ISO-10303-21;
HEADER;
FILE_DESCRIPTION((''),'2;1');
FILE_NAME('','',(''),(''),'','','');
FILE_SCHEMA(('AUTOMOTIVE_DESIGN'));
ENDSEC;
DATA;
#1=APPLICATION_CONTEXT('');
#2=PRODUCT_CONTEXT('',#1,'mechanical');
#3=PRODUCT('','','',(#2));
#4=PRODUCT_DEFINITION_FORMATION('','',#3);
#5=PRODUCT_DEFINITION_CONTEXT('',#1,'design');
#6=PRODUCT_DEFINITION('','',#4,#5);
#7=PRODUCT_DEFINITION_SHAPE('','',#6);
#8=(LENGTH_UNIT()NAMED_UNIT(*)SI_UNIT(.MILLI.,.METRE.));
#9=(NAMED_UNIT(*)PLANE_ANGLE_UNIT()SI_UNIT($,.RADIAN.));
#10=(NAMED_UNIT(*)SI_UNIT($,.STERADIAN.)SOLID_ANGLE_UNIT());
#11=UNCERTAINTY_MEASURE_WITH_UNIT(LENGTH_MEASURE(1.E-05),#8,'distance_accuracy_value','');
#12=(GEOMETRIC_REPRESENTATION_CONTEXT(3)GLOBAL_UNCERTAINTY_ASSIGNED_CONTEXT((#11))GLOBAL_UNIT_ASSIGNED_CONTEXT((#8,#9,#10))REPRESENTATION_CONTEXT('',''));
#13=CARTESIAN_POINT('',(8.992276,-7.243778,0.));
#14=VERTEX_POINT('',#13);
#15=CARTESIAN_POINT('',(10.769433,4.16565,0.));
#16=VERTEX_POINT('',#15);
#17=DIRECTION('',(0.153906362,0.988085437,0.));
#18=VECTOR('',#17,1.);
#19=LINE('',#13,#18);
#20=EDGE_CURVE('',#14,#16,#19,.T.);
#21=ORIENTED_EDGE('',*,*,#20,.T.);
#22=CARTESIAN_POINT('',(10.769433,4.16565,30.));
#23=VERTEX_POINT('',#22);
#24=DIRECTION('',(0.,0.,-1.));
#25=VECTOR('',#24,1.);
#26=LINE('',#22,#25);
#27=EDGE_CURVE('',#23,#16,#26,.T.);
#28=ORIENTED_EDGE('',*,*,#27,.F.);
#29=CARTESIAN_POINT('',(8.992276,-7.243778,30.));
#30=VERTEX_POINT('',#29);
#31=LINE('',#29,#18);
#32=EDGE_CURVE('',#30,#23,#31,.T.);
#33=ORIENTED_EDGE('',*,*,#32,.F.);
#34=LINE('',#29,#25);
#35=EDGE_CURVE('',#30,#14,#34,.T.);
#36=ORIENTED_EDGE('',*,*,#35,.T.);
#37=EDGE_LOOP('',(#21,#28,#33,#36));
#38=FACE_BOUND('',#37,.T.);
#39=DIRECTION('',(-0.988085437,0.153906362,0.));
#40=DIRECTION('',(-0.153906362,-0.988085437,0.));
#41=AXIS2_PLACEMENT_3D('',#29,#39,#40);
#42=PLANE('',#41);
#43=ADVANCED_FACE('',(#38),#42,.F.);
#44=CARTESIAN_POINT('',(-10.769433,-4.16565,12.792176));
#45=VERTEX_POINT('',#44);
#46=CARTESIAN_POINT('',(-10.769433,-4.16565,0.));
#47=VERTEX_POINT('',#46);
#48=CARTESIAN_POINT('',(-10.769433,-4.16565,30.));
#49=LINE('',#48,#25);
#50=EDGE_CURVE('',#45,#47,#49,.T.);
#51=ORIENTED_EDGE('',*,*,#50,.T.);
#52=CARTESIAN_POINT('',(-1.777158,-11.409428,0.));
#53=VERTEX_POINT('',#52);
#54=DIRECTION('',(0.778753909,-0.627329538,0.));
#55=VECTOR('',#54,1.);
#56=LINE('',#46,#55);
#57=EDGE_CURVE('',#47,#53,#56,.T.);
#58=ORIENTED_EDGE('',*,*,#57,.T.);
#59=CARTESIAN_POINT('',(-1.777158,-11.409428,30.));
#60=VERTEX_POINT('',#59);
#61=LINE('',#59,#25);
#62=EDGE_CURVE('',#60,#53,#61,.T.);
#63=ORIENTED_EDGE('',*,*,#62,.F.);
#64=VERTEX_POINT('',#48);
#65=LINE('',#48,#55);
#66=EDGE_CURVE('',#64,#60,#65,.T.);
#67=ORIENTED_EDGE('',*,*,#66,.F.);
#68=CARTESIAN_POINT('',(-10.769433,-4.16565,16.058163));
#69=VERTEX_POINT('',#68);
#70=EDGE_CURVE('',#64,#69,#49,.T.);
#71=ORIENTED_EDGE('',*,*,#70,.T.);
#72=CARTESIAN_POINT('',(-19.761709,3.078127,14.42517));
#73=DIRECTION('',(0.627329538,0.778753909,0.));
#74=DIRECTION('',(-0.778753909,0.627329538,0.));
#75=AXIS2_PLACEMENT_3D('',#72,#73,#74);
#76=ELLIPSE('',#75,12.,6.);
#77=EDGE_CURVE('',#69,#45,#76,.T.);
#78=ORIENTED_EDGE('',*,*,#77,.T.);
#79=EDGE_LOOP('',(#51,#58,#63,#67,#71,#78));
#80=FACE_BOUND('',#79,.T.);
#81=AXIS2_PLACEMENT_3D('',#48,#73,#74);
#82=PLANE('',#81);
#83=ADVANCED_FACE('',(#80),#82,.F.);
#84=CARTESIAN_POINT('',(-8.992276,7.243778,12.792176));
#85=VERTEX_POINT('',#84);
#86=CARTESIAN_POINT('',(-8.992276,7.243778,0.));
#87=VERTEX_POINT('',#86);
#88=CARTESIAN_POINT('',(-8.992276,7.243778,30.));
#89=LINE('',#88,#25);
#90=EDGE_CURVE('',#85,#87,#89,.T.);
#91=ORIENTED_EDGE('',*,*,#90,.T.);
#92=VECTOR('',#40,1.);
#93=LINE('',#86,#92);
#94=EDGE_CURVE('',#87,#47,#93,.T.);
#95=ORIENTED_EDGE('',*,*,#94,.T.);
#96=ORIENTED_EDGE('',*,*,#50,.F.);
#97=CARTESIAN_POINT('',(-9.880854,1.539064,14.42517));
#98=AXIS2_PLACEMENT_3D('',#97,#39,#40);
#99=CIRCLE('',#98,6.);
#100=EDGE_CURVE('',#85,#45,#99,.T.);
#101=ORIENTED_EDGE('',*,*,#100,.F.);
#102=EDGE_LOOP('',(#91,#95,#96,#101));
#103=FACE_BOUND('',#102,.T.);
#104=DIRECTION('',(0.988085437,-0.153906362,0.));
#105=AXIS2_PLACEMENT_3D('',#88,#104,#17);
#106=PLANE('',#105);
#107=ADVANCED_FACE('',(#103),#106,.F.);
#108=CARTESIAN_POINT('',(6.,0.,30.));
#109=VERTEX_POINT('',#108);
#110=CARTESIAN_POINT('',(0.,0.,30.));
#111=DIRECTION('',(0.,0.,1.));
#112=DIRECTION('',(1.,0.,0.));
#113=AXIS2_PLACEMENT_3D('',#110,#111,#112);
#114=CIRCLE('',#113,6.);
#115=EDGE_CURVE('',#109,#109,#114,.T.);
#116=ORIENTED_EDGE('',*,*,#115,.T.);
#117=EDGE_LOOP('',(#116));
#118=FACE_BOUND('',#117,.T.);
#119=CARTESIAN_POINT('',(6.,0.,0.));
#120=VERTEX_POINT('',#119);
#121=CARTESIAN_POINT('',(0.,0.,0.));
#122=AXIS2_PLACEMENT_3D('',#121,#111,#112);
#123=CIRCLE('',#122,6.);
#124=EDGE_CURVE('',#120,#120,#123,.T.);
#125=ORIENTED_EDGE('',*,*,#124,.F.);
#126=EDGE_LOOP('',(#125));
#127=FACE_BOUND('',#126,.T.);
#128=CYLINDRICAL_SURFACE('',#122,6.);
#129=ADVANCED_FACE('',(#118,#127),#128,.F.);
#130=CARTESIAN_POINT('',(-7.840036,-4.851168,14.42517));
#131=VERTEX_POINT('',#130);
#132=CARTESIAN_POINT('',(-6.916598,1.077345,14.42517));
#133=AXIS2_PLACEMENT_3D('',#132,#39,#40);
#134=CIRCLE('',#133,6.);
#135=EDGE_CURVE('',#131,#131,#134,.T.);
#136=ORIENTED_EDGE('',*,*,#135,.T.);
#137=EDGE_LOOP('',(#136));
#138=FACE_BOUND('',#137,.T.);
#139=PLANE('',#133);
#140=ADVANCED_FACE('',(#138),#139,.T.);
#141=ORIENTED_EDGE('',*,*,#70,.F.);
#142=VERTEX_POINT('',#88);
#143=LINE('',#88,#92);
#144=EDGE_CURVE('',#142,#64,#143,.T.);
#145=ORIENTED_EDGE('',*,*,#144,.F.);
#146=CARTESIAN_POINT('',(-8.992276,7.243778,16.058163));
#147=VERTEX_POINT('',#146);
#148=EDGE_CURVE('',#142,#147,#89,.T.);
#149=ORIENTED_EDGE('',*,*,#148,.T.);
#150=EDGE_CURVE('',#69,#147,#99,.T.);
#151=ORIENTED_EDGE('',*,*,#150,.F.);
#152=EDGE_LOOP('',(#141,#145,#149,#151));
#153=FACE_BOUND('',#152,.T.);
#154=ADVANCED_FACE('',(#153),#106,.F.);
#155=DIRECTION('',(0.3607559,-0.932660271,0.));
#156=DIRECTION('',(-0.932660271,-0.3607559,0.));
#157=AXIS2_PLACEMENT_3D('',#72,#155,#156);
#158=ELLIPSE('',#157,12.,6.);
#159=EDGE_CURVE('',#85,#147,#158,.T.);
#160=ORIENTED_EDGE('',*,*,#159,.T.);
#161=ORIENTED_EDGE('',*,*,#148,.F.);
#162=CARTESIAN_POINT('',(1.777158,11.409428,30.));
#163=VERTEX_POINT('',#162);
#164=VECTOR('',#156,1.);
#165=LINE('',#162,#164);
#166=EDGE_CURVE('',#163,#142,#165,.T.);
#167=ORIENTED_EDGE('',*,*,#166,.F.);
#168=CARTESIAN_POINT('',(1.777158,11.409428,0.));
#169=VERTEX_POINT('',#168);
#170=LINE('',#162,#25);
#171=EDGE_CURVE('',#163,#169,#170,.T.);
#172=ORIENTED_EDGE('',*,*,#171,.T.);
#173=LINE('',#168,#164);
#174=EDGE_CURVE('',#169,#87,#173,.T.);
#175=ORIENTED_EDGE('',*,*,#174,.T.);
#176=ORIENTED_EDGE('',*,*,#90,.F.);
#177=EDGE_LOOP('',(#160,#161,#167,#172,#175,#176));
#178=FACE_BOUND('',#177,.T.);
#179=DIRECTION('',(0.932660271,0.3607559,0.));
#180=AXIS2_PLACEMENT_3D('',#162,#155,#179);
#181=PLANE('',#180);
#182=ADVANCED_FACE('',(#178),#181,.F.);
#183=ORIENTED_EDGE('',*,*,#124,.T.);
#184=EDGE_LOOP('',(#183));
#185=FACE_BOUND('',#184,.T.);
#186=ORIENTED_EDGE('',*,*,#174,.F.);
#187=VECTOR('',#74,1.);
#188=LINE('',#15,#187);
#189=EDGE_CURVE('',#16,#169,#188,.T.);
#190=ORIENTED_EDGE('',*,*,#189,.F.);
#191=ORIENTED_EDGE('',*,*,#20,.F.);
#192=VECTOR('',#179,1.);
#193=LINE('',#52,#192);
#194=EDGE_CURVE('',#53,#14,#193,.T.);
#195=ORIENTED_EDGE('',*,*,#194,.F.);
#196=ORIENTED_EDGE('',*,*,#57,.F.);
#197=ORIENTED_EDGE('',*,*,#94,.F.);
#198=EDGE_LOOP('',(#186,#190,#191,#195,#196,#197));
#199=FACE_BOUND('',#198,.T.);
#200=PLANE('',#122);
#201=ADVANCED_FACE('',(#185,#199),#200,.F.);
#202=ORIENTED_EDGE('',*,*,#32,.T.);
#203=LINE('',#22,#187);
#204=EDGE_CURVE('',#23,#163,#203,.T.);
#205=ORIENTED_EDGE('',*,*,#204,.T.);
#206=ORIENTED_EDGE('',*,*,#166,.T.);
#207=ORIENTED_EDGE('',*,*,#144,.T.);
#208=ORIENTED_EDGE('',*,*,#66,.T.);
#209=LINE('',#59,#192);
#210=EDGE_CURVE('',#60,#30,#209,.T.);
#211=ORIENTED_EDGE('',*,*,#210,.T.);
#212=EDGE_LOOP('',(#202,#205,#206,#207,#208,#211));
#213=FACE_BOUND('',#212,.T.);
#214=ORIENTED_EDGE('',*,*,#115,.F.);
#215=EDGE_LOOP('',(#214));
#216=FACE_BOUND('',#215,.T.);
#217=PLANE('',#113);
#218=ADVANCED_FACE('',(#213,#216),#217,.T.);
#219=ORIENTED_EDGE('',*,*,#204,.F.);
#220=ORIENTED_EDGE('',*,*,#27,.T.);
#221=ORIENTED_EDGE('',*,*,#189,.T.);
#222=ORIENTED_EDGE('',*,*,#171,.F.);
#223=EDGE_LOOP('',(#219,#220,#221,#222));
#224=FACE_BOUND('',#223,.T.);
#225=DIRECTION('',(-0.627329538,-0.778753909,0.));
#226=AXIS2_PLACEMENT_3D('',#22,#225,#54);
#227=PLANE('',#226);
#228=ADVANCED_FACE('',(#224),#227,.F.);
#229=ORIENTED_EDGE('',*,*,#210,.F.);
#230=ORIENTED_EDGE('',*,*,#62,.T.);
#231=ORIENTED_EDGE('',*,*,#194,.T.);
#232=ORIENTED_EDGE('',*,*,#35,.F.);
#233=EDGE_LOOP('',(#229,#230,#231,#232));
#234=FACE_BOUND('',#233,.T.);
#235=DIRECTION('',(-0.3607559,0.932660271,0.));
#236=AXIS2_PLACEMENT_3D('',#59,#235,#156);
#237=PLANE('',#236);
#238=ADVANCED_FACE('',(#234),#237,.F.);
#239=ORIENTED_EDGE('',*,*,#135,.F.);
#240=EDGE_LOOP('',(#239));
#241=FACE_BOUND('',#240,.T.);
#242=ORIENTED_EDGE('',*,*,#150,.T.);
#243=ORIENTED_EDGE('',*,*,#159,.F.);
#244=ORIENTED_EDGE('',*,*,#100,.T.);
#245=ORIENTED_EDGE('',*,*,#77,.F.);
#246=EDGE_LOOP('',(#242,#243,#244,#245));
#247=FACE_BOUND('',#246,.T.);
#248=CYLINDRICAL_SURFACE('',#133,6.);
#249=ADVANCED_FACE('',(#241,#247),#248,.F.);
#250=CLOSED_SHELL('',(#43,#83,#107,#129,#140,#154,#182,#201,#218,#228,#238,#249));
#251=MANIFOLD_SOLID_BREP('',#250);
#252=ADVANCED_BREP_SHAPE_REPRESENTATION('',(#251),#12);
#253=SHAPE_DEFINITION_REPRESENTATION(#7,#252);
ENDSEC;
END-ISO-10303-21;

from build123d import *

# Parameters (mm, degrees)
EXTRUDE_1_DEPTH     = 30
SKETCH_2_R          = 6
CUT_EXTRUDE_1_DEPTH = 34.854921873
SKETCH_4_R          = 6
CUT_EXTRUDE_2_DEPTH = 3


with BuildPart() as part:
    # Эскиз1 → Бобышка-Вытянуть1 (new body)
    with BuildSketch(Plane.XY):
        Polygon((8.992275581, -7.243777551), (10.769433169, 4.165650315), (1.777157588, 11.409427866), (-8.992275581, 7.243777551), (-10.769433169, -4.165650315), (-1.777157588, -11.409427866), align=None)
    extrude(amount=EXTRUDE_1_DEPTH)

    # Эскиз2 → Вырез-Вытянуть1 (cut, through all)
    with BuildSketch(Plane.XY.offset(30)):
        Circle(SKETCH_2_R)
    extrude(amount=-CUT_EXTRUDE_1_DEPTH, mode=Mode.SUBTRACT)

    # Эскиз4 → Вырез-Вытянуть2 (cut)
    with BuildSketch(Plane(origin=(-9.880854375, 1.539063618, 0), x_dir=(0, 0, 1), z_dir=(-0.9880854374988838, 0.15390636180041273, 0))):
        with Locations(Location((14.425169577, 0, 0), (0, 0, 270))):
            Circle(SKETCH_4_R)
    extrude(amount=-CUT_EXTRUDE_2_DEPTH, mode=Mode.SUBTRACT)


solid = part.part
